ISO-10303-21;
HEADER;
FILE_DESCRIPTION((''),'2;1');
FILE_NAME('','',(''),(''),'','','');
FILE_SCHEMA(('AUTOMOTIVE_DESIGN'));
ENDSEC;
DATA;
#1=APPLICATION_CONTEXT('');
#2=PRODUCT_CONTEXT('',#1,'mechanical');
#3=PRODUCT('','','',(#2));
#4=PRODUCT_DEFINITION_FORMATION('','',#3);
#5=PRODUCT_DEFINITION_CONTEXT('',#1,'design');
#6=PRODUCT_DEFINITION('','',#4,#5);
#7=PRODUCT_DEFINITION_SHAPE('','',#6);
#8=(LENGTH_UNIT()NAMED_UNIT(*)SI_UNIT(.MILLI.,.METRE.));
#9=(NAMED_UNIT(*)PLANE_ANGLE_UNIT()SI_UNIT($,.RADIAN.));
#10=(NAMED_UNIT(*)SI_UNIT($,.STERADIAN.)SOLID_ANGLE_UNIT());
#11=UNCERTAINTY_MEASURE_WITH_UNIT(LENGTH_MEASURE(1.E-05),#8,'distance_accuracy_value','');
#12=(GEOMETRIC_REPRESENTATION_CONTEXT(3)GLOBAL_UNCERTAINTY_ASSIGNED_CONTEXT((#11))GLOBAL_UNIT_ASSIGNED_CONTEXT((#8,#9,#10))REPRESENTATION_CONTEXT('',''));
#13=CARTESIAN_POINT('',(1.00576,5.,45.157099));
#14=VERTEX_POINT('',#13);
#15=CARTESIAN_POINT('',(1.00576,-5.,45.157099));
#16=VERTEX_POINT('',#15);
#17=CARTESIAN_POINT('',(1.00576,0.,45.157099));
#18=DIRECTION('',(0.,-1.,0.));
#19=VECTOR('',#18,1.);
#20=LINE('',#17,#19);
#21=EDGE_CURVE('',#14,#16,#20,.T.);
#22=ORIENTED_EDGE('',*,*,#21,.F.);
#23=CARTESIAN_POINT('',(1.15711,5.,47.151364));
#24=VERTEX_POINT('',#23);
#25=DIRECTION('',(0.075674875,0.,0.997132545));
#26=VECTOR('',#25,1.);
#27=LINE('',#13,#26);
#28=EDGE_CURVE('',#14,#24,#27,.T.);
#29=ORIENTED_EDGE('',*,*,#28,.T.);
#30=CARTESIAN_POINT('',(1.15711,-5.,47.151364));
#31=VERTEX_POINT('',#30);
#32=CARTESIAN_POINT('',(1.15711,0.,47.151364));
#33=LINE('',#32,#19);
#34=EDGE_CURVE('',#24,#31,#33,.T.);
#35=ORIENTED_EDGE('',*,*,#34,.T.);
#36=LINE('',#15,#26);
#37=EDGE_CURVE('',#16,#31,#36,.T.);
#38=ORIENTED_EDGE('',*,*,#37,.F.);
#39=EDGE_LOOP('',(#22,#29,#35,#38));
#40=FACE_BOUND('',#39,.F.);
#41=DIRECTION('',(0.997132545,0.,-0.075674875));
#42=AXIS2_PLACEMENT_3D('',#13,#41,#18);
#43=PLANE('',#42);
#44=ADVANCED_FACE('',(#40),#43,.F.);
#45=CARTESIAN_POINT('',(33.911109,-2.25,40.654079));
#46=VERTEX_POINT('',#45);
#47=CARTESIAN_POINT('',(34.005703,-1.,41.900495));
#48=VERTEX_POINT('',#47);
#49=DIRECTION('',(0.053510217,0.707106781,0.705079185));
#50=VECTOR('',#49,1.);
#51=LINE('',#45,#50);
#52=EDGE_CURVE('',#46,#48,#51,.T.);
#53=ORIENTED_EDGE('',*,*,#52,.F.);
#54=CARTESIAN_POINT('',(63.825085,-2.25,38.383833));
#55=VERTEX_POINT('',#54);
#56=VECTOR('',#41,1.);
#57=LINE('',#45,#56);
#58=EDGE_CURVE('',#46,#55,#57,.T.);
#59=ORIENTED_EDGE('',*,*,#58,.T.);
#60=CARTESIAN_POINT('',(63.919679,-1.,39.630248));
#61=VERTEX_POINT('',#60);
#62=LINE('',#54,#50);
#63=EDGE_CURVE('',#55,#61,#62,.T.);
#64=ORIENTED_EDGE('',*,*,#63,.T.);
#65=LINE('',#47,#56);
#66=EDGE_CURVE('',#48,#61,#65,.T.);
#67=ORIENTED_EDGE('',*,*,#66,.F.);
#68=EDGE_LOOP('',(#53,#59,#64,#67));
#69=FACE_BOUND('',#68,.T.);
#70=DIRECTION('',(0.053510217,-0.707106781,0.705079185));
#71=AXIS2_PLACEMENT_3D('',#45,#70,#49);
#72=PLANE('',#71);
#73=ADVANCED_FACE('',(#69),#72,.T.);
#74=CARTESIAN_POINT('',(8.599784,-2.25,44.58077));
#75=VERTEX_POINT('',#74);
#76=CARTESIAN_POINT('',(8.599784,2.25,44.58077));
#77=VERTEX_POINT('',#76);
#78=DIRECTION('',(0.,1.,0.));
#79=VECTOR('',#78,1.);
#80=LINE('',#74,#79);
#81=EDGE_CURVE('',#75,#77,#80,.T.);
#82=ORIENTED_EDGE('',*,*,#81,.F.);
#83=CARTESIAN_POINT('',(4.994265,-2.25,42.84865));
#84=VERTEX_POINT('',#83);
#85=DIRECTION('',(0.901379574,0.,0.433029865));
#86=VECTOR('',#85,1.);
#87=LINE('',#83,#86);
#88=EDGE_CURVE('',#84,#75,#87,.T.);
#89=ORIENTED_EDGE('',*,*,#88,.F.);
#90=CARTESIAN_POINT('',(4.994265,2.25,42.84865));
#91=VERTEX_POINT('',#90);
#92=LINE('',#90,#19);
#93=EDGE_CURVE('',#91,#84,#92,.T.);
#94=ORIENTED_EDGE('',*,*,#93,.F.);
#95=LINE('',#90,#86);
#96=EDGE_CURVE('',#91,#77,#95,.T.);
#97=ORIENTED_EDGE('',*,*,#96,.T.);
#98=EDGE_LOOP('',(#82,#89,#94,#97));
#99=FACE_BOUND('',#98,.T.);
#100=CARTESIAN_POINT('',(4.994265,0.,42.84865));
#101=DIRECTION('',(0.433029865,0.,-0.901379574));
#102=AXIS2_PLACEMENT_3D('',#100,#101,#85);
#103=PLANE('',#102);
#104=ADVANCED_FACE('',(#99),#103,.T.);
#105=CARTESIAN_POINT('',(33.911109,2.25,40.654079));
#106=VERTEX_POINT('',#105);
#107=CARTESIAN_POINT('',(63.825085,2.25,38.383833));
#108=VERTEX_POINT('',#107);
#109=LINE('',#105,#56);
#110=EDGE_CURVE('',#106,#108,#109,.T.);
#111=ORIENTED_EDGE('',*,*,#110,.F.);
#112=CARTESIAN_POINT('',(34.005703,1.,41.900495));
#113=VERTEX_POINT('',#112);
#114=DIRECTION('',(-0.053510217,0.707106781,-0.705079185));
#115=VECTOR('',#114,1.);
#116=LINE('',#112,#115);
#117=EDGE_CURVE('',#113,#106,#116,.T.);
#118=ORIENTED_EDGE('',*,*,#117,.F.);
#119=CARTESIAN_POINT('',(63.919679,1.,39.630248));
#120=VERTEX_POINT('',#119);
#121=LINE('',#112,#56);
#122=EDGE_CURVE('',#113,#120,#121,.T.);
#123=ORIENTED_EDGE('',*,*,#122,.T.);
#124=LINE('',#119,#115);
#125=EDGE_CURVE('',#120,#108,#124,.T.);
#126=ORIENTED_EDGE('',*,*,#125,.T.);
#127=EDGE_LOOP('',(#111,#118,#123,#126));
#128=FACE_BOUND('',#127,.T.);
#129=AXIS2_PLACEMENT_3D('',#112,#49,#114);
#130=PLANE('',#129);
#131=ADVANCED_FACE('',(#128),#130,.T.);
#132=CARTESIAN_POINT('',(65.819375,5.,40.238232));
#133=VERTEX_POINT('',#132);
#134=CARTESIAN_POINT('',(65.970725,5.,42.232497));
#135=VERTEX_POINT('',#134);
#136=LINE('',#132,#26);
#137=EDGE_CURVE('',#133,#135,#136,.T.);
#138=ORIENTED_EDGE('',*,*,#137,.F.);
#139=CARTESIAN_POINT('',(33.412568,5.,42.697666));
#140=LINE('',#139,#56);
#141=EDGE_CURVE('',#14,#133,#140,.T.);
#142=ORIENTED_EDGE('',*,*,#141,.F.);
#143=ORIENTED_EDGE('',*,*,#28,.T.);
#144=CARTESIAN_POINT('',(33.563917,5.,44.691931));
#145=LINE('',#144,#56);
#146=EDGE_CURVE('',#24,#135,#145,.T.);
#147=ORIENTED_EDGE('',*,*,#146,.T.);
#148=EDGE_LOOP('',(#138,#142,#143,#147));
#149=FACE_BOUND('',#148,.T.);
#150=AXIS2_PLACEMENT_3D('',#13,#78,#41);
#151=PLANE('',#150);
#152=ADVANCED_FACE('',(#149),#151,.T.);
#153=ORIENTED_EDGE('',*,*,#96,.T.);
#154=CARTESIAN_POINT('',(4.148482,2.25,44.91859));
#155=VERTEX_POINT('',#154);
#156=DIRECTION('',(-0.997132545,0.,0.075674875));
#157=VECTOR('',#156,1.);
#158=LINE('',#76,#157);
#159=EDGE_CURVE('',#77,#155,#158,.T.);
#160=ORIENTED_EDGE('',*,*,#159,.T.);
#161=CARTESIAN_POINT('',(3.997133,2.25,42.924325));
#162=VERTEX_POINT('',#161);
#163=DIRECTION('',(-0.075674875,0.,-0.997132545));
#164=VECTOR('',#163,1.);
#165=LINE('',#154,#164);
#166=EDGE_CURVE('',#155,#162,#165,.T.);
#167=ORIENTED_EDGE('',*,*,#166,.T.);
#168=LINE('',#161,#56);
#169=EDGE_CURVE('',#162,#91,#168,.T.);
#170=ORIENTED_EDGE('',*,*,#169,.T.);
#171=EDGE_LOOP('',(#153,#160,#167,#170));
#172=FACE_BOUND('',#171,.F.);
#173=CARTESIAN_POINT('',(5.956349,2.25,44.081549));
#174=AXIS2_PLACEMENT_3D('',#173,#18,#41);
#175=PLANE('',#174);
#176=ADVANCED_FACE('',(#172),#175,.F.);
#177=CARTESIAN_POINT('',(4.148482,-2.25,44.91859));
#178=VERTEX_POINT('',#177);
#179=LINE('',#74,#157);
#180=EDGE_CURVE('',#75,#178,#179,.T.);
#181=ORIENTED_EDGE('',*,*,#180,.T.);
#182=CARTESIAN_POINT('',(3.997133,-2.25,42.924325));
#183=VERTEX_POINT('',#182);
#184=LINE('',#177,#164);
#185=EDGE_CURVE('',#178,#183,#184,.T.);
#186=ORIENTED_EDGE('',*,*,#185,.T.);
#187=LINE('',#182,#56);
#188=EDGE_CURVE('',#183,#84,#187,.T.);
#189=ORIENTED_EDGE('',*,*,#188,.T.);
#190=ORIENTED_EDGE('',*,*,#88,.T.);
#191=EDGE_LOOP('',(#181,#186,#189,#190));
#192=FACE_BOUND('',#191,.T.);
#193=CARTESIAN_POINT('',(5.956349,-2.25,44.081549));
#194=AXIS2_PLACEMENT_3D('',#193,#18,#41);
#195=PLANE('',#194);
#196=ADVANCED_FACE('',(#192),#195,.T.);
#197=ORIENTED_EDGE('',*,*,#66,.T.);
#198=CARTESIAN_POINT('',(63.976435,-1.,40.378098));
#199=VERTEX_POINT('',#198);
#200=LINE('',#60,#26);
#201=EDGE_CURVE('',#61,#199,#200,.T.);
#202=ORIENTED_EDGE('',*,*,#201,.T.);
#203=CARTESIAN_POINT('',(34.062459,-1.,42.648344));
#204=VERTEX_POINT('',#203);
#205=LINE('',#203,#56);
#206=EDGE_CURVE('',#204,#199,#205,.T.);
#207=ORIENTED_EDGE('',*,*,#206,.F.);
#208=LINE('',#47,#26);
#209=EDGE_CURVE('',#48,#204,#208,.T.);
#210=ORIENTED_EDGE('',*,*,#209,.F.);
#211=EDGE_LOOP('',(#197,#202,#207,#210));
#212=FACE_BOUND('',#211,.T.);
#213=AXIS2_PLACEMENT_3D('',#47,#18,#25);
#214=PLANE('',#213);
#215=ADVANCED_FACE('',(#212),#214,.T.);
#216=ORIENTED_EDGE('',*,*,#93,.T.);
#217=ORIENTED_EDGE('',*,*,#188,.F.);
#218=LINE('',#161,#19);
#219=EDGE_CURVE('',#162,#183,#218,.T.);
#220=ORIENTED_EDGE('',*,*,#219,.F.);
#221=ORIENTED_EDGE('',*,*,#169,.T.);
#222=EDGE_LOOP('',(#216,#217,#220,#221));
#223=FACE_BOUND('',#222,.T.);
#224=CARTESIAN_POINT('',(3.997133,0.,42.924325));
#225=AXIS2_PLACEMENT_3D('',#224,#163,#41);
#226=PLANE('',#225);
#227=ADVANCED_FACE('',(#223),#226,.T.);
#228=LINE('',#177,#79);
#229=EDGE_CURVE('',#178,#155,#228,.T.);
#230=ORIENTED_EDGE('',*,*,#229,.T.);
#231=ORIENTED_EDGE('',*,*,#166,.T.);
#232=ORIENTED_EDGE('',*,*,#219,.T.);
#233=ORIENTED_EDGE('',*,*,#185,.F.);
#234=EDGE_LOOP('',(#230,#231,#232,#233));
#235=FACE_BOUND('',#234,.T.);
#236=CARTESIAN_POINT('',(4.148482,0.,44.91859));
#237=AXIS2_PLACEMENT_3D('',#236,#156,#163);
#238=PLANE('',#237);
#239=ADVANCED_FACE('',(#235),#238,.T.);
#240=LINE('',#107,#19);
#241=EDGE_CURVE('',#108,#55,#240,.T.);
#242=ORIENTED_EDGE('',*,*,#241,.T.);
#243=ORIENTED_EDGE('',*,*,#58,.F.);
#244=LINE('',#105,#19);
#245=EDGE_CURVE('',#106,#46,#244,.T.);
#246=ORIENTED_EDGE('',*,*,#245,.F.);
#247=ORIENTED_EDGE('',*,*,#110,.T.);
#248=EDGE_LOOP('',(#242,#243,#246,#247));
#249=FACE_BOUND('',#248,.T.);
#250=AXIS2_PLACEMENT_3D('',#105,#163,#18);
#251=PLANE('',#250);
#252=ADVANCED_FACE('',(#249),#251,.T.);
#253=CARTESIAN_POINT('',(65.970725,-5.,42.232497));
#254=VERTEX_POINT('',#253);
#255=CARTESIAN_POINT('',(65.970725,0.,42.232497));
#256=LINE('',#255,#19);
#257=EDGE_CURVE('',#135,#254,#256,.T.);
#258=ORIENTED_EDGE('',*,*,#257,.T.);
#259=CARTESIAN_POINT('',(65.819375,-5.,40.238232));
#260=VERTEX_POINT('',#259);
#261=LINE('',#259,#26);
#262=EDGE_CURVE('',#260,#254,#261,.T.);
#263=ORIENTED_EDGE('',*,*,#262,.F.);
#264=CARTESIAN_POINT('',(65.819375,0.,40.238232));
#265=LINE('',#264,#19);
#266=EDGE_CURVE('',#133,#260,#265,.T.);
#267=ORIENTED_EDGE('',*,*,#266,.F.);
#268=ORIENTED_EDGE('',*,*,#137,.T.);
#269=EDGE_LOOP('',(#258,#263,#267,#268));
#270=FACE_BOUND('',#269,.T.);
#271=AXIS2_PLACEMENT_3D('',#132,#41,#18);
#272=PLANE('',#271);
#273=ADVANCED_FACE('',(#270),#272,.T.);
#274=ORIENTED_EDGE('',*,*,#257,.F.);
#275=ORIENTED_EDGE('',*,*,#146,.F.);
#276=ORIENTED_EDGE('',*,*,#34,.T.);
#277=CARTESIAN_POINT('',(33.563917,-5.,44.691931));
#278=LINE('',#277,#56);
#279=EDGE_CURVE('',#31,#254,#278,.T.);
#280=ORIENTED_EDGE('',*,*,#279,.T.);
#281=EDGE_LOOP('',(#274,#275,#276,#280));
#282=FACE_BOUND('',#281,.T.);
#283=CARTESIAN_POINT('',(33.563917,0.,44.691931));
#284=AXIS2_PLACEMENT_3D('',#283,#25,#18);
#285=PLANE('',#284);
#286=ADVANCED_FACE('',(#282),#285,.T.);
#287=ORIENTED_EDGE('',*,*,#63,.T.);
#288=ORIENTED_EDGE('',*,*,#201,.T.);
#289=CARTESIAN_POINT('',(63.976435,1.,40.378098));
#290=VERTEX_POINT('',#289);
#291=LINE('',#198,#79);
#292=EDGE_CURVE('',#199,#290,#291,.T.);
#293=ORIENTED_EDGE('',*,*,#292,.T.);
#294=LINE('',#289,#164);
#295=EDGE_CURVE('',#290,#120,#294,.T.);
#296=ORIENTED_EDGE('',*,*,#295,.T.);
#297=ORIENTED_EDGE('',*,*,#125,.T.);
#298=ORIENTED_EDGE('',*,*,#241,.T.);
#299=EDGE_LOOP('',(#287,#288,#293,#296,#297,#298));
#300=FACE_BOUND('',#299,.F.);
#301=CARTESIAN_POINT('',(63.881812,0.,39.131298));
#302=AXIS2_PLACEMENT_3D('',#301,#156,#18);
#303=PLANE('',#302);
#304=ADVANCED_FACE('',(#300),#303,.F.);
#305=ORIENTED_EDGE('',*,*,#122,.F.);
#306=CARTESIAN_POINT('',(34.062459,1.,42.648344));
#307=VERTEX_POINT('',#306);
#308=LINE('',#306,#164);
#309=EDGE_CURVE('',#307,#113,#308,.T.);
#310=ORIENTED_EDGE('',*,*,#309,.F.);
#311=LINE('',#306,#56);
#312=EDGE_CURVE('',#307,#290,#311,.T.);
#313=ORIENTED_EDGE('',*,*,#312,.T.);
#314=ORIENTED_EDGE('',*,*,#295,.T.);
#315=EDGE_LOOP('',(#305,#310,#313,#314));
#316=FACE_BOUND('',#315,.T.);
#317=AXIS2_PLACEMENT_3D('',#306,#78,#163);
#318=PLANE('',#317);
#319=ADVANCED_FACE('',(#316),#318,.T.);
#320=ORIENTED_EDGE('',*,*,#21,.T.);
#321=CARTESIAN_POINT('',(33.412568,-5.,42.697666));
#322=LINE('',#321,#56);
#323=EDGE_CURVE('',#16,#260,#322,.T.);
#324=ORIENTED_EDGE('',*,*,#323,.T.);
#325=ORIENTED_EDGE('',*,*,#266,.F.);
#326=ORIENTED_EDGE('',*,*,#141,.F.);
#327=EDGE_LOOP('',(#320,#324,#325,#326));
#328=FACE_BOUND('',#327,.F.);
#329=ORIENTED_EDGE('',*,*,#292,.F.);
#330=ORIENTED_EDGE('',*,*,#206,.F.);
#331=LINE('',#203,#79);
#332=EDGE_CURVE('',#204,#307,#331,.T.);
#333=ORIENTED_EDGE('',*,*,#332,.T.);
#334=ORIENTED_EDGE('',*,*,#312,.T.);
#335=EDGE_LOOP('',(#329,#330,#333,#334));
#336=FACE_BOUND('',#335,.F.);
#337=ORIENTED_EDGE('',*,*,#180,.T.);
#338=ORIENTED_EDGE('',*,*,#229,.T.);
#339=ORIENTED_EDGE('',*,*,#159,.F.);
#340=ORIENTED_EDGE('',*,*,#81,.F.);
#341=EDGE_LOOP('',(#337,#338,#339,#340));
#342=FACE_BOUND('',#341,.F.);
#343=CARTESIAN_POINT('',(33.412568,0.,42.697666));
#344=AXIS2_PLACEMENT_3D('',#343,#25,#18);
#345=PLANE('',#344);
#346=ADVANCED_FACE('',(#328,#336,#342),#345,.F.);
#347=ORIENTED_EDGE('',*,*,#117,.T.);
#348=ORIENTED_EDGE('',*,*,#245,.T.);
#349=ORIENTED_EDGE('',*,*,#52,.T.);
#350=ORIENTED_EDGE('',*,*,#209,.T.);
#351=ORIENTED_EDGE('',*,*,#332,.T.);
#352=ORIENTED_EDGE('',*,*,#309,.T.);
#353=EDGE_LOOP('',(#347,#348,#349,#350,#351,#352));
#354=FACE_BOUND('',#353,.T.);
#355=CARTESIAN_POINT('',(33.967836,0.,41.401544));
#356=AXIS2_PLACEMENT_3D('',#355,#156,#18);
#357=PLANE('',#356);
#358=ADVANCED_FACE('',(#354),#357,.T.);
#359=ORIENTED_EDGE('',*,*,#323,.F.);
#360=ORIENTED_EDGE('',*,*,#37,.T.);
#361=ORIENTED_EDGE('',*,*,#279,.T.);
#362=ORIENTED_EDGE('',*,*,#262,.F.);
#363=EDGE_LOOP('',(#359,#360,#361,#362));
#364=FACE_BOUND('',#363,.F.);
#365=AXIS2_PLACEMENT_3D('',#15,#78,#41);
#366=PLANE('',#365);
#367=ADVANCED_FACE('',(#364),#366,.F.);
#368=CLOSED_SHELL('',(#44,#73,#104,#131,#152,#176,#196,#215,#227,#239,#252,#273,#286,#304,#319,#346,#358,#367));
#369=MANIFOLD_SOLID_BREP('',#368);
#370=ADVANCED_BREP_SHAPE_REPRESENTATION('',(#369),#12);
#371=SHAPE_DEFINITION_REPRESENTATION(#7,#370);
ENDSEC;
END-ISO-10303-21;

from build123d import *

# Parameters (mm, degrees)
PAD001_DEPTH        = 30
SKETCH002_W         = 10
SKETCH002_H         = 65
PAD002_DEPTH        = 2
PAD003_DEPTH        = 2.25
BODY001_PITCH_ANGLE = 4.34


with BuildPart() as part:
    # Sketch001 (on DatumPlane) → Pad001 (new body)
    with BuildSketch(Plane.YZ.offset(31)):
        Polygon((-1, 2), (1, 2), (1, 1.25), (2.25, 0), (-2.25, 0), (-1, 1.25), align=None)
    extrude(amount=PAD001_DEPTH)

    # Sketch002 (on DatumPlane) → Pad002 (join)
    with BuildSketch(Plane(origin=(31, 0, 2), x_dir=(0, -1, 0), z_dir=(0, 0, 1))):
        with Locations((0, -0.65176)):
            Rectangle(SKETCH002_W, SKETCH002_H)
    extrude(amount=PAD002_DEPTH)

    # Sketch003 (on DatumPlane) → Pad003 (join, symmetric)
    with BuildSketch(Plane.XZ):
        Polygon((1, 2), (1, 0), (2, 0), (5.464102, 2), align=None)
    extrude(amount=PAD003_DEPTH, both=True)


with BuildPart() as part_1:
    # Body001 pitch: moved
    add(part.part.rotate(Axis((0, 0, 0), (0, 1, 0)), BODY001_PITCH_ANGLE))


with BuildPart() as part_2:
    # Body001 placement: moved
    add(part_1.part.moved(Location((3, 0, 43))))


solid = part_2.part
